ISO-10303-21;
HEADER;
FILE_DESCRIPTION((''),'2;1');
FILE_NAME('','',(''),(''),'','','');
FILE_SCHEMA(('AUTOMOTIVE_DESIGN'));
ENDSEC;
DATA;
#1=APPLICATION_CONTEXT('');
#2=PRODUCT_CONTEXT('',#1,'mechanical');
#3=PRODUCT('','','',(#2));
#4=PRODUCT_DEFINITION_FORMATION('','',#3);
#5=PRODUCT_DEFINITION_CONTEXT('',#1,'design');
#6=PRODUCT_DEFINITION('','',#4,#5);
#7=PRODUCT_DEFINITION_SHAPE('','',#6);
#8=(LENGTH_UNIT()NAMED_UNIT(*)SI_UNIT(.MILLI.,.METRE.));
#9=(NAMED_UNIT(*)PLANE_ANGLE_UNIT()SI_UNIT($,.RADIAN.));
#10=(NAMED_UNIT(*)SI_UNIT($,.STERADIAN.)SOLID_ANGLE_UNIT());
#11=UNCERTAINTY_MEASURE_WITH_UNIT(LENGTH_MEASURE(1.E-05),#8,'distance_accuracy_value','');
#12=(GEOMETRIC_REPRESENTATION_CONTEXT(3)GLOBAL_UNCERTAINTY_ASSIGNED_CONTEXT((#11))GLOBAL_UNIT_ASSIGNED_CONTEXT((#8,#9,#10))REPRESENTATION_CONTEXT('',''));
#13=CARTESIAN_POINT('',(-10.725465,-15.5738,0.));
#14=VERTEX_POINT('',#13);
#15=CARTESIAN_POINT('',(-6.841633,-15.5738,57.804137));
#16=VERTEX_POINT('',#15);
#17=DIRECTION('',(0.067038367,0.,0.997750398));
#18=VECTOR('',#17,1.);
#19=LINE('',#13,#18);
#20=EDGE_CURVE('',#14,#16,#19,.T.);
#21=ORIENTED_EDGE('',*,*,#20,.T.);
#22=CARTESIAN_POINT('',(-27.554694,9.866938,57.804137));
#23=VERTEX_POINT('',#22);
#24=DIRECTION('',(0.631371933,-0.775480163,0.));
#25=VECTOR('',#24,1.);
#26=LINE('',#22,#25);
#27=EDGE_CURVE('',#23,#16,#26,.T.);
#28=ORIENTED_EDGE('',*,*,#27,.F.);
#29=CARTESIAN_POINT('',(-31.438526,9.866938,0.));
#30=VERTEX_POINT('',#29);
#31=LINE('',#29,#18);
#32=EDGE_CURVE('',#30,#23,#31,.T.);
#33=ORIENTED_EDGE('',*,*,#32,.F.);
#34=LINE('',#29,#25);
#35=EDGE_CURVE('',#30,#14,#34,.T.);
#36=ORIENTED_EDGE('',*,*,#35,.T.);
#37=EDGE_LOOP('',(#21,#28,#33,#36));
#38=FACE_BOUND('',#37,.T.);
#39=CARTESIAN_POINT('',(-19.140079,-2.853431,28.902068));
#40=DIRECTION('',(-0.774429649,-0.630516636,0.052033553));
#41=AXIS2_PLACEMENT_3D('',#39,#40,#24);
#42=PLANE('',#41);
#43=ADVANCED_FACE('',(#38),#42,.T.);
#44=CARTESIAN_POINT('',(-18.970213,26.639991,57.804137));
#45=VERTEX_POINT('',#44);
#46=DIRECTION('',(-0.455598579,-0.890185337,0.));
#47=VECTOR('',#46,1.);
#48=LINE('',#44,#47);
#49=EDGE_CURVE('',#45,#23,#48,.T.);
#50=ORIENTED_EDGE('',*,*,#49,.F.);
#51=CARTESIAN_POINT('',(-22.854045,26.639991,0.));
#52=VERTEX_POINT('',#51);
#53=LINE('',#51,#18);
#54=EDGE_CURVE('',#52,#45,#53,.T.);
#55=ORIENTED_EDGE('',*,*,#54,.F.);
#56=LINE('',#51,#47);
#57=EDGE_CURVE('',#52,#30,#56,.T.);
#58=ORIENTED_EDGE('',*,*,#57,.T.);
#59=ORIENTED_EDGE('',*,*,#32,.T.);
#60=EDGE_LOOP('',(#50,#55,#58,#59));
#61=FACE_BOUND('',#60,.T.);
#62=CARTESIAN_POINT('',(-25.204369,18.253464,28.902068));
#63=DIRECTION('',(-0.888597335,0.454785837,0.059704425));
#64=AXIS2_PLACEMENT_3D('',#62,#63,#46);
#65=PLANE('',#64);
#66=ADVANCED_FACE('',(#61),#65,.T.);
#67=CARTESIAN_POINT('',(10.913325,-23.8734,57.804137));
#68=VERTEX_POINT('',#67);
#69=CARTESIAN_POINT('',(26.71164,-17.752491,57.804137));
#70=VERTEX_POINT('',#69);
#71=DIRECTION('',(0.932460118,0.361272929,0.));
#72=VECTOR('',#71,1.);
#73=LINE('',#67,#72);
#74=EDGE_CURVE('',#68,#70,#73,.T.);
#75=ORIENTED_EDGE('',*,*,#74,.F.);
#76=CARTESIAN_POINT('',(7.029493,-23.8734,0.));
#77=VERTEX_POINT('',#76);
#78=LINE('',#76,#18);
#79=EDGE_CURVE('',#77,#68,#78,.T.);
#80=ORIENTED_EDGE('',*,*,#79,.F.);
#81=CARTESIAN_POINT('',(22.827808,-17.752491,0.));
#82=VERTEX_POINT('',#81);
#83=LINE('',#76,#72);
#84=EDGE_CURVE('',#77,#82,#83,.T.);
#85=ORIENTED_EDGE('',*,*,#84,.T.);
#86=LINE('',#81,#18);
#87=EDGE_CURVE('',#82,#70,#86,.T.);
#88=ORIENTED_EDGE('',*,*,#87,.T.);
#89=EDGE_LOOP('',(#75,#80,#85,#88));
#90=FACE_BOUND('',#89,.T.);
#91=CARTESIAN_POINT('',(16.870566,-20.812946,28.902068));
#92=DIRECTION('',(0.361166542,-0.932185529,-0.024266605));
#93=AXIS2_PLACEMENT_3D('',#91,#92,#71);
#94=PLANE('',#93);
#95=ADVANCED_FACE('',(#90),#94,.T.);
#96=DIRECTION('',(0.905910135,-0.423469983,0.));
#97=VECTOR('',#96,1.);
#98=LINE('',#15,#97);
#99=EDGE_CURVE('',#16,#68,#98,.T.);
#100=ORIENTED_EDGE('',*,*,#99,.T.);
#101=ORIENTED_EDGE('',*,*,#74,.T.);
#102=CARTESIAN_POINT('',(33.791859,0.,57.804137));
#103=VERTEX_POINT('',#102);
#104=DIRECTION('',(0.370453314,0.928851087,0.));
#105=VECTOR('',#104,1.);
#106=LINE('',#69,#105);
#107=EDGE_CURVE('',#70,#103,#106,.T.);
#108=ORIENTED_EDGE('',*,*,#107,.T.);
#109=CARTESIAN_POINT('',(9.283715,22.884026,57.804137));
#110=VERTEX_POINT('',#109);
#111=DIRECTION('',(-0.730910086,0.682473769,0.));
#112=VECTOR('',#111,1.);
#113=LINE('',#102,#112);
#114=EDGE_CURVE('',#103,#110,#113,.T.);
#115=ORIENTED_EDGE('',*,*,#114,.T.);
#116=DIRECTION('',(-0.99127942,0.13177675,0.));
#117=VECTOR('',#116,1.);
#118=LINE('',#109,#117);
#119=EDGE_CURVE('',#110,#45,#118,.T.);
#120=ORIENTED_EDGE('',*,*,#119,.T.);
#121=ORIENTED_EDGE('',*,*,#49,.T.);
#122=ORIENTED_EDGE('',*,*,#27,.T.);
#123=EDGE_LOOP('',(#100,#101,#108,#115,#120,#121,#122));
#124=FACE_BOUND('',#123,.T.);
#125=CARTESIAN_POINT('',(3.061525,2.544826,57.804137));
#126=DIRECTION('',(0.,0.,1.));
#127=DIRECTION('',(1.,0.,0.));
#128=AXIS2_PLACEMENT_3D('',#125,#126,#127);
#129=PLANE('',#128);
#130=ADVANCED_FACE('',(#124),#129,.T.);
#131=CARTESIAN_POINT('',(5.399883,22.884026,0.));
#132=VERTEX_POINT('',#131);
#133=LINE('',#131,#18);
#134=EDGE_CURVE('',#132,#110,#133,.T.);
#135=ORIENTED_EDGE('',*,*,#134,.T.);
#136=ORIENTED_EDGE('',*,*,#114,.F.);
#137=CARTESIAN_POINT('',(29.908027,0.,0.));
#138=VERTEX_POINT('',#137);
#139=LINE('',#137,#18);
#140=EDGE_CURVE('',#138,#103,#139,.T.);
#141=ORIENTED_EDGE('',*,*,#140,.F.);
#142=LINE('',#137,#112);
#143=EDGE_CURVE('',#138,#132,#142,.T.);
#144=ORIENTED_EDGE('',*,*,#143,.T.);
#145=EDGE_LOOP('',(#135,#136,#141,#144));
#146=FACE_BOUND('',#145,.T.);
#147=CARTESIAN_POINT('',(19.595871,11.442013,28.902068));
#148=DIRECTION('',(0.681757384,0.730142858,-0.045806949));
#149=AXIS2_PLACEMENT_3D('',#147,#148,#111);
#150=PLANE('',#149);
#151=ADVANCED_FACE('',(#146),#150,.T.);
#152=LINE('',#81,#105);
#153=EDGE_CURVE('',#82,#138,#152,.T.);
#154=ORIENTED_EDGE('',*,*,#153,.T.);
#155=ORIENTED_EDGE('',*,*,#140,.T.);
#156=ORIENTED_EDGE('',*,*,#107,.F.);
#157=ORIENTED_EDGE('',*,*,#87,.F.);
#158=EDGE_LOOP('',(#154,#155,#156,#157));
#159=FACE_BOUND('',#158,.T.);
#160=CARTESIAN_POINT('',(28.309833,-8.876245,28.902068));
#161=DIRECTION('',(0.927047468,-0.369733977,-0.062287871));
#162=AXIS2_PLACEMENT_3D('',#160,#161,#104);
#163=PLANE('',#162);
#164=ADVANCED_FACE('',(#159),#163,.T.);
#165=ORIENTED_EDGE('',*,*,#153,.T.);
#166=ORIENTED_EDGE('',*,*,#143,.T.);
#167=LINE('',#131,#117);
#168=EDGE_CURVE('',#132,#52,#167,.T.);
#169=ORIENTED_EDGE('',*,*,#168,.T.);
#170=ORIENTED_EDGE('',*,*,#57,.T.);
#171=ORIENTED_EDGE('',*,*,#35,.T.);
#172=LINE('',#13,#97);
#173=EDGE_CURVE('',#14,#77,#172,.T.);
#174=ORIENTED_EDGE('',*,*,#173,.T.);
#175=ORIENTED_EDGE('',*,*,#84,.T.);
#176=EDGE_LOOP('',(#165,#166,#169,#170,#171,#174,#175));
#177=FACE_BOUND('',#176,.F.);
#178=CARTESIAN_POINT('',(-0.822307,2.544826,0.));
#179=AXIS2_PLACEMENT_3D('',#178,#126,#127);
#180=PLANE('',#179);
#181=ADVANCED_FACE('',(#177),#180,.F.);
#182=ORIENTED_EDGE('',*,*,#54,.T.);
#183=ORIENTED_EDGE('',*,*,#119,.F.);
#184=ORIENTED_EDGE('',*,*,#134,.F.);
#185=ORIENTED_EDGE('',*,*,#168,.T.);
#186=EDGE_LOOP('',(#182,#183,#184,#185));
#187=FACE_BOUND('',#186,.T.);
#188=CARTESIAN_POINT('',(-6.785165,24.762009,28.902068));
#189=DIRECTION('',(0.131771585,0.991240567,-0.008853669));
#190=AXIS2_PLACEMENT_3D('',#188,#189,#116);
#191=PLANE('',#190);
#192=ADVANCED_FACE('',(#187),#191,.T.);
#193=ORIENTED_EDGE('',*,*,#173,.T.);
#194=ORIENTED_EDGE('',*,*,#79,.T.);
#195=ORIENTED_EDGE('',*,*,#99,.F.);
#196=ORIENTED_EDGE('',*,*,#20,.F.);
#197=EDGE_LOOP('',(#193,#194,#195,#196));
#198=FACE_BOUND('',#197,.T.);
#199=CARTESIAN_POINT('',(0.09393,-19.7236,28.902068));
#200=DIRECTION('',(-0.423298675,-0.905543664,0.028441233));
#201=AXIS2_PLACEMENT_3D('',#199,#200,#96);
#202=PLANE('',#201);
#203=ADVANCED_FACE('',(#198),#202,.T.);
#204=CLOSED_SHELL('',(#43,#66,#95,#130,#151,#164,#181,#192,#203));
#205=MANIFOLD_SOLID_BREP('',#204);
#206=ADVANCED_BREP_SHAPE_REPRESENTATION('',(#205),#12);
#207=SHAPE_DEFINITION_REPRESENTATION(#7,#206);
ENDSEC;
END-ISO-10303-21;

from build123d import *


with BuildPart() as f2:
    # F2: sweep along a path in F1
    with BuildLine(Plane.XZ) as f2_path:
        Line((0, 0), (3.883832, 57.804137))
    # F0 (on Top) → F2 (sweep)
    with BuildSketch(Plane.XY):
        Polygon((-31.438526, 9.866938), (-10.725465, -15.5738), (7.029493, -23.8734), (22.827808, -17.752491), (29.908027, 0), (5.399883, 22.884026), (-22.854045, 26.639991), align=None)
    sweep(path=f2_path.line)


solid = f2.part
